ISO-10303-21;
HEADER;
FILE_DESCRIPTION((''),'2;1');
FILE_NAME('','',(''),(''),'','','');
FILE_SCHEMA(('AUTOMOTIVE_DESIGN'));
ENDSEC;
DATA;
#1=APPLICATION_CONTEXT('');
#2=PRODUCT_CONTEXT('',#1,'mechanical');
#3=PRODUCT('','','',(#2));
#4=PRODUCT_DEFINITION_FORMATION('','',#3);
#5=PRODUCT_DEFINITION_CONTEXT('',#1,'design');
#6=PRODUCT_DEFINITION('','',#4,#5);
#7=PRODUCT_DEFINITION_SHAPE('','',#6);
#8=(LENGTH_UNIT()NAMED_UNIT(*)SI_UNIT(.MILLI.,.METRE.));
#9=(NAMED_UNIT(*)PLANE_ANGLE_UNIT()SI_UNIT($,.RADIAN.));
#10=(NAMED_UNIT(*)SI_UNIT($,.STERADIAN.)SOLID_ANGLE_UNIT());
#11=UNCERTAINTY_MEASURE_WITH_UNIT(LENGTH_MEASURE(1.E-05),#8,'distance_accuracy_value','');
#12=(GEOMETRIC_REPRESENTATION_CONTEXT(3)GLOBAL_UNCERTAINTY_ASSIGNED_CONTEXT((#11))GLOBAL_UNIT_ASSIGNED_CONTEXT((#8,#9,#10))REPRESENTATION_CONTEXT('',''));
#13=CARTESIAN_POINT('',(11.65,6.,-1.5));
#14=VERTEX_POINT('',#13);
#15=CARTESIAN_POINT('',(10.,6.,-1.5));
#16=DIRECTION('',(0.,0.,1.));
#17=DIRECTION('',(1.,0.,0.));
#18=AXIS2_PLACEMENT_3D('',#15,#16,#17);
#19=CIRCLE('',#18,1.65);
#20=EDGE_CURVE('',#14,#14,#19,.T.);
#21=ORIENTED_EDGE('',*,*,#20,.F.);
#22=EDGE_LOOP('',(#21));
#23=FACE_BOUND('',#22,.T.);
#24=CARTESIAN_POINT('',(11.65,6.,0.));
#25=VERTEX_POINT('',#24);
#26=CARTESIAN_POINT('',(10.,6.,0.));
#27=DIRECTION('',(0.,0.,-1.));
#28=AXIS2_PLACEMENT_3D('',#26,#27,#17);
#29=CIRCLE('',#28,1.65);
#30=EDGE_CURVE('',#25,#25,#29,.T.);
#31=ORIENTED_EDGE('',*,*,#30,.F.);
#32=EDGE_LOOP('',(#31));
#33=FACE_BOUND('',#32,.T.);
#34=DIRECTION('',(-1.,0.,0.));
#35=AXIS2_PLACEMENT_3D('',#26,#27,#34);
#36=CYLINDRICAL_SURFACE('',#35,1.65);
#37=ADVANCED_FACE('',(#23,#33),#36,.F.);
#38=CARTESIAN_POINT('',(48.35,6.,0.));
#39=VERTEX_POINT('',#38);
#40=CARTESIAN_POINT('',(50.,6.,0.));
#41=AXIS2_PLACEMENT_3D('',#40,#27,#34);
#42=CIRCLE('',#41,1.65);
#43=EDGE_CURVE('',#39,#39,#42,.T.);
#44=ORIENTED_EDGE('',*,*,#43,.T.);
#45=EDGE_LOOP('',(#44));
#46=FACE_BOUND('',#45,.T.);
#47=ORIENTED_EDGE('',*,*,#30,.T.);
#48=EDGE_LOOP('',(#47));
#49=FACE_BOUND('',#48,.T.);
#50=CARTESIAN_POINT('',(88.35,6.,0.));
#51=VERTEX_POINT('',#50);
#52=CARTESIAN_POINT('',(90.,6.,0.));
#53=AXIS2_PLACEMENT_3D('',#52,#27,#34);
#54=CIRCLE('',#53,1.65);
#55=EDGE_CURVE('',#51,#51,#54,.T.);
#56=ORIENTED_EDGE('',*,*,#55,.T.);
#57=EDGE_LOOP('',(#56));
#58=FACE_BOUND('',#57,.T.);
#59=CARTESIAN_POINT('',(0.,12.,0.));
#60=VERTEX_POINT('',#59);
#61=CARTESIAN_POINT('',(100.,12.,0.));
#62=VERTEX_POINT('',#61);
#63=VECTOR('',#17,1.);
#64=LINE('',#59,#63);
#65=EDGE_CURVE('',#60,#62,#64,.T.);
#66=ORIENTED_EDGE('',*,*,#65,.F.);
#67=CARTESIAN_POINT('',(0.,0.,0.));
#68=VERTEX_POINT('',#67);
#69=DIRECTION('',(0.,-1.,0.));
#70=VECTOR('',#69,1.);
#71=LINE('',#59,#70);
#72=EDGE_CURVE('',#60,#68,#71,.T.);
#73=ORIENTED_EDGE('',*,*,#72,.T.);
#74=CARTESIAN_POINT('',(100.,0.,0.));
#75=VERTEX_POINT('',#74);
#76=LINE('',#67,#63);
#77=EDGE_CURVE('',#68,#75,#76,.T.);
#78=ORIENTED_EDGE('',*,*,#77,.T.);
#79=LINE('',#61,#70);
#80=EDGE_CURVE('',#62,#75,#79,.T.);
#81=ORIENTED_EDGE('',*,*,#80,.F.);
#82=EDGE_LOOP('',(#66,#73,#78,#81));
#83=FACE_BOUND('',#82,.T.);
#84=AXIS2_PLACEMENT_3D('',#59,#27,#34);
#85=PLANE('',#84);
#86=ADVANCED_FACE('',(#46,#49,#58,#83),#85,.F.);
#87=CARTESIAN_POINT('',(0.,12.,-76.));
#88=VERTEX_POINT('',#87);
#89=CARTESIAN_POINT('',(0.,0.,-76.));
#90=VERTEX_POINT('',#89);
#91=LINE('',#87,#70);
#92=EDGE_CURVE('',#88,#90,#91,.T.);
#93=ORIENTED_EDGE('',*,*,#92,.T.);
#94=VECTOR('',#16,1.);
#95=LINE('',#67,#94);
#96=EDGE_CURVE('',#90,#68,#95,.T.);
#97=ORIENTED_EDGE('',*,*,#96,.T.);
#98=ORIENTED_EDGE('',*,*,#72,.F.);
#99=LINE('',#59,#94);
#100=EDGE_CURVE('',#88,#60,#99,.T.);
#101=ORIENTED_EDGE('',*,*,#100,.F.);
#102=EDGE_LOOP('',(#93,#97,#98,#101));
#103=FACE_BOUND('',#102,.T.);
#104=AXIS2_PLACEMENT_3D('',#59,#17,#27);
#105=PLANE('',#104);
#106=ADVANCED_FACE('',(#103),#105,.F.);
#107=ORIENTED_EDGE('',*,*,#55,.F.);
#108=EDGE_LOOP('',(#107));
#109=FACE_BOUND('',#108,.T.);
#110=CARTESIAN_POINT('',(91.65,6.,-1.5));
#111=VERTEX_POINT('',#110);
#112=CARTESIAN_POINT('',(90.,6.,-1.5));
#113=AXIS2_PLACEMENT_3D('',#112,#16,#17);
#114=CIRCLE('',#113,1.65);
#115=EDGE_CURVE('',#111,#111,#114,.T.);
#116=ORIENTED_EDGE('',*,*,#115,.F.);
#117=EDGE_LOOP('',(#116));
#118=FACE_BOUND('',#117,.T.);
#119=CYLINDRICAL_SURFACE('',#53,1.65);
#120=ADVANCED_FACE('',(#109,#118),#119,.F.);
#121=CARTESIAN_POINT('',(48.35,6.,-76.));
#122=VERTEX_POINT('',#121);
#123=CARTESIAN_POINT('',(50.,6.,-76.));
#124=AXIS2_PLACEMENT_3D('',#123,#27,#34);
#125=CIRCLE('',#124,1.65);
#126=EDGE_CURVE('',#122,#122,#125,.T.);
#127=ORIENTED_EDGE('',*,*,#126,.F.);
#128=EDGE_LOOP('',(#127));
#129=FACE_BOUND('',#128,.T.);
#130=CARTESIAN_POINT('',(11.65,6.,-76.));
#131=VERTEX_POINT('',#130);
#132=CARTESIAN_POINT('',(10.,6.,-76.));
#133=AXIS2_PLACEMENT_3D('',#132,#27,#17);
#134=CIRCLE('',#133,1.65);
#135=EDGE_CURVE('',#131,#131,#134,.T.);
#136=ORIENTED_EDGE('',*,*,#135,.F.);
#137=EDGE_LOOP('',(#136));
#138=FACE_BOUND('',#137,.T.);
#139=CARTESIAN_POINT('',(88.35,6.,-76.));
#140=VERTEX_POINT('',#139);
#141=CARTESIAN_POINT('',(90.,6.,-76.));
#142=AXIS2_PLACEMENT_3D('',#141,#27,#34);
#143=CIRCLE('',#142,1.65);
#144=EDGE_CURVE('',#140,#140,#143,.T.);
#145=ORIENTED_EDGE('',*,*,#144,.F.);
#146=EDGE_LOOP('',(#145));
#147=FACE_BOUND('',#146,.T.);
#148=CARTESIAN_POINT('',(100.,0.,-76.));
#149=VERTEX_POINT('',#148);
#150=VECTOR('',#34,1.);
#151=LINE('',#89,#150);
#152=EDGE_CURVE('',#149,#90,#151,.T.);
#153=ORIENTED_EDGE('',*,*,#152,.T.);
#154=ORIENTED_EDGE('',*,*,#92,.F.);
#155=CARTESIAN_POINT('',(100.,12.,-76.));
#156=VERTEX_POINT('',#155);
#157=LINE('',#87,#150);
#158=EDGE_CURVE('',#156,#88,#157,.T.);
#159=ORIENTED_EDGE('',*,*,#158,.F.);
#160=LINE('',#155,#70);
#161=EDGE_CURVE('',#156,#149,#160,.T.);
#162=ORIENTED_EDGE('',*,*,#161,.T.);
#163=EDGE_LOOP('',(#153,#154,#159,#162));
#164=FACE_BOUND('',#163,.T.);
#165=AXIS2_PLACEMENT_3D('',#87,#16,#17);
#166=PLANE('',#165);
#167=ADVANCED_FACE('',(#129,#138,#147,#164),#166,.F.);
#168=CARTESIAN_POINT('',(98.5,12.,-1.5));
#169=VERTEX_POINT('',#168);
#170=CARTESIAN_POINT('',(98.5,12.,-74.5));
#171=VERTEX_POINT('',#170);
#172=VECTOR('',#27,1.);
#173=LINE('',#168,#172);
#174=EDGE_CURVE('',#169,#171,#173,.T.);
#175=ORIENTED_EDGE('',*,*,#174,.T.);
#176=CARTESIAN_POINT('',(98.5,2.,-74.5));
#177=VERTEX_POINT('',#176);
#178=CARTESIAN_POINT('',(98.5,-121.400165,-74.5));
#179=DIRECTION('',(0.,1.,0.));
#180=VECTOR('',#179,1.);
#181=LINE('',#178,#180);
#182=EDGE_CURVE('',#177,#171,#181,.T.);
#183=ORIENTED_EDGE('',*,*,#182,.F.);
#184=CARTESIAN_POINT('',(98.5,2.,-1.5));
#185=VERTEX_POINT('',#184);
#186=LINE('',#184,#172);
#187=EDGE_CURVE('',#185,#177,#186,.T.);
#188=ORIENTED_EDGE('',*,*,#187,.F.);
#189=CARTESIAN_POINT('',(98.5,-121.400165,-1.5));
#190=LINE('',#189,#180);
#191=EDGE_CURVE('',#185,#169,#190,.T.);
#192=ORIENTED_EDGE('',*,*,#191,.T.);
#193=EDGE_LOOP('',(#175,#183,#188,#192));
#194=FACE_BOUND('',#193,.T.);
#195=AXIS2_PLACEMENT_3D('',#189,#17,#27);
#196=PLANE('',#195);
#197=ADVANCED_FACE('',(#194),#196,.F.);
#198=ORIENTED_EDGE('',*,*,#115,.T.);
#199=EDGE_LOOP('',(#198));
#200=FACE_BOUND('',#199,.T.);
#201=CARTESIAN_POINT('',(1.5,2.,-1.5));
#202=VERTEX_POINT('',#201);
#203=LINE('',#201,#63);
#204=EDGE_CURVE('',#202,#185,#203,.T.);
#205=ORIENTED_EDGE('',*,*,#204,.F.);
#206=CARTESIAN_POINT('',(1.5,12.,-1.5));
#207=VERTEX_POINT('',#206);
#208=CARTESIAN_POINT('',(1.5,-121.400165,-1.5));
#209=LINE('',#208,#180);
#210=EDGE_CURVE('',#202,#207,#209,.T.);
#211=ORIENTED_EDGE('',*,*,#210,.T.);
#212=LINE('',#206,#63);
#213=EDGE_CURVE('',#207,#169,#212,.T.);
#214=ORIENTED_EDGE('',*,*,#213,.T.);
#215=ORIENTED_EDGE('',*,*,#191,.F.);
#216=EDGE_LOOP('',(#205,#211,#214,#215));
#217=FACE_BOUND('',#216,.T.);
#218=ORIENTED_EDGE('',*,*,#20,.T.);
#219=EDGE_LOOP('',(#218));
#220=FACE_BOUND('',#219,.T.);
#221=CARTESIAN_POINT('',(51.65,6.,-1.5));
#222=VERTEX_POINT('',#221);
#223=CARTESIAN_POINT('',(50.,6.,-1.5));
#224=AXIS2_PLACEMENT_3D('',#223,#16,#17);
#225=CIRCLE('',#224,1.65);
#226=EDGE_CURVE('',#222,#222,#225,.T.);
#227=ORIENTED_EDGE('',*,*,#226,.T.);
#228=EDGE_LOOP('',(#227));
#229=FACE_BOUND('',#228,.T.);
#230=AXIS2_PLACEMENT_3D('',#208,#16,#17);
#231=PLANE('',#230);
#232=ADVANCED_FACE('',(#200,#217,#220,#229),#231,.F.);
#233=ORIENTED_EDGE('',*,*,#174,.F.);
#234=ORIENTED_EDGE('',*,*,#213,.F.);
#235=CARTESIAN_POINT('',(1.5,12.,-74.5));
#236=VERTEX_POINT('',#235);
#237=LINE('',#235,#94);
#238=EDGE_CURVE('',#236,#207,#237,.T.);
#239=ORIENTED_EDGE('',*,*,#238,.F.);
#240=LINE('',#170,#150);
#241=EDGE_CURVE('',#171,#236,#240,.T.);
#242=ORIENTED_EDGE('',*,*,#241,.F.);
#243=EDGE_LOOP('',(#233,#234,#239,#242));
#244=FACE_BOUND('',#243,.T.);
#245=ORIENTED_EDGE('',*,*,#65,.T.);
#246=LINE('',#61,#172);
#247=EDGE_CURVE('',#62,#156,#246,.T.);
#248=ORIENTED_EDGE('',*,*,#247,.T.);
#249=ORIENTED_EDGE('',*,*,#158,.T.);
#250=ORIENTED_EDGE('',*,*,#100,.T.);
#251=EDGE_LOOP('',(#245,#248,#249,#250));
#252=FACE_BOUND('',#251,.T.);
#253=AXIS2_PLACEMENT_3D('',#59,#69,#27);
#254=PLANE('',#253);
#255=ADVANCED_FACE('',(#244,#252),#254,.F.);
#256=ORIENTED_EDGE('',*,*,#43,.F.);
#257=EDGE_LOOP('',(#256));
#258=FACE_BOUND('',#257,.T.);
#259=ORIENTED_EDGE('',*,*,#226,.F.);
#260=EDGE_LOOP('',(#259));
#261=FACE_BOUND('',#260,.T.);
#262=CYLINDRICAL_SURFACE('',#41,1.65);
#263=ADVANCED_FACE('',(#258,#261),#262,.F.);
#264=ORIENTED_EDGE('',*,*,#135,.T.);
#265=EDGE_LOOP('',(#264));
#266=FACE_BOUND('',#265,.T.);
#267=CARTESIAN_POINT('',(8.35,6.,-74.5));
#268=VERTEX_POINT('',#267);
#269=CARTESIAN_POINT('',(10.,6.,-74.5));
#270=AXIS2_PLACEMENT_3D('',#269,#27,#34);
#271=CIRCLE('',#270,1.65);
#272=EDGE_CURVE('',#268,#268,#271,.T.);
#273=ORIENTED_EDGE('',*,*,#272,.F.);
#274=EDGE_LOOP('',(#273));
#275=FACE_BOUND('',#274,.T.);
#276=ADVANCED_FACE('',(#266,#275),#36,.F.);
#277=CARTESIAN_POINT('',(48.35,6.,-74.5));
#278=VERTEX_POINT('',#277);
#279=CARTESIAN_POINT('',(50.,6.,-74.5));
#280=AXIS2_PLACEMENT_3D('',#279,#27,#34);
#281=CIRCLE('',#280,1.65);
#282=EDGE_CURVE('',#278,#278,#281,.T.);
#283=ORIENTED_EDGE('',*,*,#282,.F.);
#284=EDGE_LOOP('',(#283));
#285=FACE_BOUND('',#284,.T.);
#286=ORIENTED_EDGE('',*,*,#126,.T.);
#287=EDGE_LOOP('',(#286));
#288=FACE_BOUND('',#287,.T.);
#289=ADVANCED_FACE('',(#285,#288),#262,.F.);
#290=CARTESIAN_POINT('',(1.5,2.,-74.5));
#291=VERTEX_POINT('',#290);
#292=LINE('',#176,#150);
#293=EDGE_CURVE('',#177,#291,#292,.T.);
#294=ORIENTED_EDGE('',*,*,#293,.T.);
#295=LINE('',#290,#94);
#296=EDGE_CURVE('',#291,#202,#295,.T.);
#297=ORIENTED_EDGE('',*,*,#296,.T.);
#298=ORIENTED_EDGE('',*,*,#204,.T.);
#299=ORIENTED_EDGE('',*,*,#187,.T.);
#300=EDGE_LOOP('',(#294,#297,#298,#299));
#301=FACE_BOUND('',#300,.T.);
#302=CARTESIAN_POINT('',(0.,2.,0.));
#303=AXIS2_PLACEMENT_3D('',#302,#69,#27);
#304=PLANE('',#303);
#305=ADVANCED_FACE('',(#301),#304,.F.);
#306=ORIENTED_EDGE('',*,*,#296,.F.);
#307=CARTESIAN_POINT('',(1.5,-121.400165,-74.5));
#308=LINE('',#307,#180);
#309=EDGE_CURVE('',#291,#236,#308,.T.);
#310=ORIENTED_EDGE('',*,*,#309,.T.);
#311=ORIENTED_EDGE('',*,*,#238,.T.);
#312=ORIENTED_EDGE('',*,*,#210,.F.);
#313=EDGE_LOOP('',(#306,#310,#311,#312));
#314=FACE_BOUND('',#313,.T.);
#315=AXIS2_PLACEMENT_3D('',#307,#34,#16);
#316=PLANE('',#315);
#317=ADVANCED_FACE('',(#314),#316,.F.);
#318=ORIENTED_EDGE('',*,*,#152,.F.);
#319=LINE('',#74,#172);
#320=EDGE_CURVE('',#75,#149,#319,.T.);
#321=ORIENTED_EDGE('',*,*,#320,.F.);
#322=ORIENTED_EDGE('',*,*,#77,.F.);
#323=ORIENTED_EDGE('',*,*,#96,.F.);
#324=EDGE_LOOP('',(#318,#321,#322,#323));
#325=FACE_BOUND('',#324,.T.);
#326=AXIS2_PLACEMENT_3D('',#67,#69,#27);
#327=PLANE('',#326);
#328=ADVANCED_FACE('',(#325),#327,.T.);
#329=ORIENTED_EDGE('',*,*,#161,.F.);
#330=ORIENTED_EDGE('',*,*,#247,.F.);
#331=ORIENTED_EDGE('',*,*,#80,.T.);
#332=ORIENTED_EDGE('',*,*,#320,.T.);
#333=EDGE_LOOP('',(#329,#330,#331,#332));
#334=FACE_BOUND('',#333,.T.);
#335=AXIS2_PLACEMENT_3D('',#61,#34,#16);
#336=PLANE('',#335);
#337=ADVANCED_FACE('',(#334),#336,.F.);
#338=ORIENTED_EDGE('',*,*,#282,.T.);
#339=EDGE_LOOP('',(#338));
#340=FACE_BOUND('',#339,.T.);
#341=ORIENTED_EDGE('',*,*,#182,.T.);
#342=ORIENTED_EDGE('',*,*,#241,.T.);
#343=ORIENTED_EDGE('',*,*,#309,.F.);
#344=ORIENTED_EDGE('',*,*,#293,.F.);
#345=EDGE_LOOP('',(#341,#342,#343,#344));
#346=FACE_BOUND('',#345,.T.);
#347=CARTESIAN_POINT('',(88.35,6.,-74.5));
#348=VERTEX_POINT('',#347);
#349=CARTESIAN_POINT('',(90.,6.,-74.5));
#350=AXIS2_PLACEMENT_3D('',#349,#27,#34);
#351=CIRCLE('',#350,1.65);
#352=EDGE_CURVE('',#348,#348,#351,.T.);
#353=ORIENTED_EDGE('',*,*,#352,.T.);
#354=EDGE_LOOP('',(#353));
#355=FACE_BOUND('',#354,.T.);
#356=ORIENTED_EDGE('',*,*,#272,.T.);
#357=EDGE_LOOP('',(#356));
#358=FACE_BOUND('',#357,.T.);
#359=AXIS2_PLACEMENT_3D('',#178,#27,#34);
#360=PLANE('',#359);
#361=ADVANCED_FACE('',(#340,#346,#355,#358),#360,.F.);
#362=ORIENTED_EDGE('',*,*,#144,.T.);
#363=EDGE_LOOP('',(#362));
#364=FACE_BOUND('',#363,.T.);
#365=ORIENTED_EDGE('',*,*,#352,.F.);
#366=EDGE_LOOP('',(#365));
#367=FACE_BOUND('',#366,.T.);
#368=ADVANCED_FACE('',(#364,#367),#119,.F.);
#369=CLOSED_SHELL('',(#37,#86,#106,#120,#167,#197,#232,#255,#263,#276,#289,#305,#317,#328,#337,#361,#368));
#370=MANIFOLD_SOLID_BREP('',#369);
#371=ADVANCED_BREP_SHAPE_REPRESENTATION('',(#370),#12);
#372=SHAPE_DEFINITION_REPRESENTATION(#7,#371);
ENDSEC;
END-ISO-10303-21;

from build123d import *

# Parameters (mm, degrees)
SKETCH_1_W          = 100
SKETCH_1_H          = 76
EXTRUDE_1_DEPTH     = 12
SKETCH_2_W          = 97
SKETCH_2_H          = 73
CUT_EXTRUDE_1_DEPTH = 10
SKETCH_3_R          = 1.65
CUT_EXTRUDE_2_DEPTH = 127.174482365


with BuildPart() as part:
    # 草图1 → 凸台-拉伸1 (new body)
    with BuildSketch(Plane(origin=(0, 0, 0), x_dir=(1, 0, 0), z_dir=(0, 1, 0))):
        with Locations((50, 38)):
            Rectangle(SKETCH_1_W, SKETCH_1_H)
    extrude(amount=EXTRUDE_1_DEPTH)

    # 草图2 → 切除-拉伸1 (cut)
    with BuildSketch(Plane(origin=(0, 12, 0), x_dir=(1, 0, 0), z_dir=(0, 1, 0))):
        with Locations((50, 38)):
            Rectangle(SKETCH_2_W, SKETCH_2_H)
    extrude(amount=-CUT_EXTRUDE_1_DEPTH, mode=Mode.SUBTRACT)

    # 草图3 → 切除-拉伸2 (cut, through all)
    with BuildSketch(Plane(origin=(0, 0, -76), x_dir=(-1, 0, 0), z_dir=(0, 0, -1))):
        with Locations((-90, 6)):
            Circle(SKETCH_3_R)
        with Locations((-10, 6)):
            Circle(SKETCH_3_R)
        with Locations((-50, 6)):
            Circle(SKETCH_3_R)
    extrude(amount=-CUT_EXTRUDE_2_DEPTH, mode=Mode.SUBTRACT)


solid = part.part
